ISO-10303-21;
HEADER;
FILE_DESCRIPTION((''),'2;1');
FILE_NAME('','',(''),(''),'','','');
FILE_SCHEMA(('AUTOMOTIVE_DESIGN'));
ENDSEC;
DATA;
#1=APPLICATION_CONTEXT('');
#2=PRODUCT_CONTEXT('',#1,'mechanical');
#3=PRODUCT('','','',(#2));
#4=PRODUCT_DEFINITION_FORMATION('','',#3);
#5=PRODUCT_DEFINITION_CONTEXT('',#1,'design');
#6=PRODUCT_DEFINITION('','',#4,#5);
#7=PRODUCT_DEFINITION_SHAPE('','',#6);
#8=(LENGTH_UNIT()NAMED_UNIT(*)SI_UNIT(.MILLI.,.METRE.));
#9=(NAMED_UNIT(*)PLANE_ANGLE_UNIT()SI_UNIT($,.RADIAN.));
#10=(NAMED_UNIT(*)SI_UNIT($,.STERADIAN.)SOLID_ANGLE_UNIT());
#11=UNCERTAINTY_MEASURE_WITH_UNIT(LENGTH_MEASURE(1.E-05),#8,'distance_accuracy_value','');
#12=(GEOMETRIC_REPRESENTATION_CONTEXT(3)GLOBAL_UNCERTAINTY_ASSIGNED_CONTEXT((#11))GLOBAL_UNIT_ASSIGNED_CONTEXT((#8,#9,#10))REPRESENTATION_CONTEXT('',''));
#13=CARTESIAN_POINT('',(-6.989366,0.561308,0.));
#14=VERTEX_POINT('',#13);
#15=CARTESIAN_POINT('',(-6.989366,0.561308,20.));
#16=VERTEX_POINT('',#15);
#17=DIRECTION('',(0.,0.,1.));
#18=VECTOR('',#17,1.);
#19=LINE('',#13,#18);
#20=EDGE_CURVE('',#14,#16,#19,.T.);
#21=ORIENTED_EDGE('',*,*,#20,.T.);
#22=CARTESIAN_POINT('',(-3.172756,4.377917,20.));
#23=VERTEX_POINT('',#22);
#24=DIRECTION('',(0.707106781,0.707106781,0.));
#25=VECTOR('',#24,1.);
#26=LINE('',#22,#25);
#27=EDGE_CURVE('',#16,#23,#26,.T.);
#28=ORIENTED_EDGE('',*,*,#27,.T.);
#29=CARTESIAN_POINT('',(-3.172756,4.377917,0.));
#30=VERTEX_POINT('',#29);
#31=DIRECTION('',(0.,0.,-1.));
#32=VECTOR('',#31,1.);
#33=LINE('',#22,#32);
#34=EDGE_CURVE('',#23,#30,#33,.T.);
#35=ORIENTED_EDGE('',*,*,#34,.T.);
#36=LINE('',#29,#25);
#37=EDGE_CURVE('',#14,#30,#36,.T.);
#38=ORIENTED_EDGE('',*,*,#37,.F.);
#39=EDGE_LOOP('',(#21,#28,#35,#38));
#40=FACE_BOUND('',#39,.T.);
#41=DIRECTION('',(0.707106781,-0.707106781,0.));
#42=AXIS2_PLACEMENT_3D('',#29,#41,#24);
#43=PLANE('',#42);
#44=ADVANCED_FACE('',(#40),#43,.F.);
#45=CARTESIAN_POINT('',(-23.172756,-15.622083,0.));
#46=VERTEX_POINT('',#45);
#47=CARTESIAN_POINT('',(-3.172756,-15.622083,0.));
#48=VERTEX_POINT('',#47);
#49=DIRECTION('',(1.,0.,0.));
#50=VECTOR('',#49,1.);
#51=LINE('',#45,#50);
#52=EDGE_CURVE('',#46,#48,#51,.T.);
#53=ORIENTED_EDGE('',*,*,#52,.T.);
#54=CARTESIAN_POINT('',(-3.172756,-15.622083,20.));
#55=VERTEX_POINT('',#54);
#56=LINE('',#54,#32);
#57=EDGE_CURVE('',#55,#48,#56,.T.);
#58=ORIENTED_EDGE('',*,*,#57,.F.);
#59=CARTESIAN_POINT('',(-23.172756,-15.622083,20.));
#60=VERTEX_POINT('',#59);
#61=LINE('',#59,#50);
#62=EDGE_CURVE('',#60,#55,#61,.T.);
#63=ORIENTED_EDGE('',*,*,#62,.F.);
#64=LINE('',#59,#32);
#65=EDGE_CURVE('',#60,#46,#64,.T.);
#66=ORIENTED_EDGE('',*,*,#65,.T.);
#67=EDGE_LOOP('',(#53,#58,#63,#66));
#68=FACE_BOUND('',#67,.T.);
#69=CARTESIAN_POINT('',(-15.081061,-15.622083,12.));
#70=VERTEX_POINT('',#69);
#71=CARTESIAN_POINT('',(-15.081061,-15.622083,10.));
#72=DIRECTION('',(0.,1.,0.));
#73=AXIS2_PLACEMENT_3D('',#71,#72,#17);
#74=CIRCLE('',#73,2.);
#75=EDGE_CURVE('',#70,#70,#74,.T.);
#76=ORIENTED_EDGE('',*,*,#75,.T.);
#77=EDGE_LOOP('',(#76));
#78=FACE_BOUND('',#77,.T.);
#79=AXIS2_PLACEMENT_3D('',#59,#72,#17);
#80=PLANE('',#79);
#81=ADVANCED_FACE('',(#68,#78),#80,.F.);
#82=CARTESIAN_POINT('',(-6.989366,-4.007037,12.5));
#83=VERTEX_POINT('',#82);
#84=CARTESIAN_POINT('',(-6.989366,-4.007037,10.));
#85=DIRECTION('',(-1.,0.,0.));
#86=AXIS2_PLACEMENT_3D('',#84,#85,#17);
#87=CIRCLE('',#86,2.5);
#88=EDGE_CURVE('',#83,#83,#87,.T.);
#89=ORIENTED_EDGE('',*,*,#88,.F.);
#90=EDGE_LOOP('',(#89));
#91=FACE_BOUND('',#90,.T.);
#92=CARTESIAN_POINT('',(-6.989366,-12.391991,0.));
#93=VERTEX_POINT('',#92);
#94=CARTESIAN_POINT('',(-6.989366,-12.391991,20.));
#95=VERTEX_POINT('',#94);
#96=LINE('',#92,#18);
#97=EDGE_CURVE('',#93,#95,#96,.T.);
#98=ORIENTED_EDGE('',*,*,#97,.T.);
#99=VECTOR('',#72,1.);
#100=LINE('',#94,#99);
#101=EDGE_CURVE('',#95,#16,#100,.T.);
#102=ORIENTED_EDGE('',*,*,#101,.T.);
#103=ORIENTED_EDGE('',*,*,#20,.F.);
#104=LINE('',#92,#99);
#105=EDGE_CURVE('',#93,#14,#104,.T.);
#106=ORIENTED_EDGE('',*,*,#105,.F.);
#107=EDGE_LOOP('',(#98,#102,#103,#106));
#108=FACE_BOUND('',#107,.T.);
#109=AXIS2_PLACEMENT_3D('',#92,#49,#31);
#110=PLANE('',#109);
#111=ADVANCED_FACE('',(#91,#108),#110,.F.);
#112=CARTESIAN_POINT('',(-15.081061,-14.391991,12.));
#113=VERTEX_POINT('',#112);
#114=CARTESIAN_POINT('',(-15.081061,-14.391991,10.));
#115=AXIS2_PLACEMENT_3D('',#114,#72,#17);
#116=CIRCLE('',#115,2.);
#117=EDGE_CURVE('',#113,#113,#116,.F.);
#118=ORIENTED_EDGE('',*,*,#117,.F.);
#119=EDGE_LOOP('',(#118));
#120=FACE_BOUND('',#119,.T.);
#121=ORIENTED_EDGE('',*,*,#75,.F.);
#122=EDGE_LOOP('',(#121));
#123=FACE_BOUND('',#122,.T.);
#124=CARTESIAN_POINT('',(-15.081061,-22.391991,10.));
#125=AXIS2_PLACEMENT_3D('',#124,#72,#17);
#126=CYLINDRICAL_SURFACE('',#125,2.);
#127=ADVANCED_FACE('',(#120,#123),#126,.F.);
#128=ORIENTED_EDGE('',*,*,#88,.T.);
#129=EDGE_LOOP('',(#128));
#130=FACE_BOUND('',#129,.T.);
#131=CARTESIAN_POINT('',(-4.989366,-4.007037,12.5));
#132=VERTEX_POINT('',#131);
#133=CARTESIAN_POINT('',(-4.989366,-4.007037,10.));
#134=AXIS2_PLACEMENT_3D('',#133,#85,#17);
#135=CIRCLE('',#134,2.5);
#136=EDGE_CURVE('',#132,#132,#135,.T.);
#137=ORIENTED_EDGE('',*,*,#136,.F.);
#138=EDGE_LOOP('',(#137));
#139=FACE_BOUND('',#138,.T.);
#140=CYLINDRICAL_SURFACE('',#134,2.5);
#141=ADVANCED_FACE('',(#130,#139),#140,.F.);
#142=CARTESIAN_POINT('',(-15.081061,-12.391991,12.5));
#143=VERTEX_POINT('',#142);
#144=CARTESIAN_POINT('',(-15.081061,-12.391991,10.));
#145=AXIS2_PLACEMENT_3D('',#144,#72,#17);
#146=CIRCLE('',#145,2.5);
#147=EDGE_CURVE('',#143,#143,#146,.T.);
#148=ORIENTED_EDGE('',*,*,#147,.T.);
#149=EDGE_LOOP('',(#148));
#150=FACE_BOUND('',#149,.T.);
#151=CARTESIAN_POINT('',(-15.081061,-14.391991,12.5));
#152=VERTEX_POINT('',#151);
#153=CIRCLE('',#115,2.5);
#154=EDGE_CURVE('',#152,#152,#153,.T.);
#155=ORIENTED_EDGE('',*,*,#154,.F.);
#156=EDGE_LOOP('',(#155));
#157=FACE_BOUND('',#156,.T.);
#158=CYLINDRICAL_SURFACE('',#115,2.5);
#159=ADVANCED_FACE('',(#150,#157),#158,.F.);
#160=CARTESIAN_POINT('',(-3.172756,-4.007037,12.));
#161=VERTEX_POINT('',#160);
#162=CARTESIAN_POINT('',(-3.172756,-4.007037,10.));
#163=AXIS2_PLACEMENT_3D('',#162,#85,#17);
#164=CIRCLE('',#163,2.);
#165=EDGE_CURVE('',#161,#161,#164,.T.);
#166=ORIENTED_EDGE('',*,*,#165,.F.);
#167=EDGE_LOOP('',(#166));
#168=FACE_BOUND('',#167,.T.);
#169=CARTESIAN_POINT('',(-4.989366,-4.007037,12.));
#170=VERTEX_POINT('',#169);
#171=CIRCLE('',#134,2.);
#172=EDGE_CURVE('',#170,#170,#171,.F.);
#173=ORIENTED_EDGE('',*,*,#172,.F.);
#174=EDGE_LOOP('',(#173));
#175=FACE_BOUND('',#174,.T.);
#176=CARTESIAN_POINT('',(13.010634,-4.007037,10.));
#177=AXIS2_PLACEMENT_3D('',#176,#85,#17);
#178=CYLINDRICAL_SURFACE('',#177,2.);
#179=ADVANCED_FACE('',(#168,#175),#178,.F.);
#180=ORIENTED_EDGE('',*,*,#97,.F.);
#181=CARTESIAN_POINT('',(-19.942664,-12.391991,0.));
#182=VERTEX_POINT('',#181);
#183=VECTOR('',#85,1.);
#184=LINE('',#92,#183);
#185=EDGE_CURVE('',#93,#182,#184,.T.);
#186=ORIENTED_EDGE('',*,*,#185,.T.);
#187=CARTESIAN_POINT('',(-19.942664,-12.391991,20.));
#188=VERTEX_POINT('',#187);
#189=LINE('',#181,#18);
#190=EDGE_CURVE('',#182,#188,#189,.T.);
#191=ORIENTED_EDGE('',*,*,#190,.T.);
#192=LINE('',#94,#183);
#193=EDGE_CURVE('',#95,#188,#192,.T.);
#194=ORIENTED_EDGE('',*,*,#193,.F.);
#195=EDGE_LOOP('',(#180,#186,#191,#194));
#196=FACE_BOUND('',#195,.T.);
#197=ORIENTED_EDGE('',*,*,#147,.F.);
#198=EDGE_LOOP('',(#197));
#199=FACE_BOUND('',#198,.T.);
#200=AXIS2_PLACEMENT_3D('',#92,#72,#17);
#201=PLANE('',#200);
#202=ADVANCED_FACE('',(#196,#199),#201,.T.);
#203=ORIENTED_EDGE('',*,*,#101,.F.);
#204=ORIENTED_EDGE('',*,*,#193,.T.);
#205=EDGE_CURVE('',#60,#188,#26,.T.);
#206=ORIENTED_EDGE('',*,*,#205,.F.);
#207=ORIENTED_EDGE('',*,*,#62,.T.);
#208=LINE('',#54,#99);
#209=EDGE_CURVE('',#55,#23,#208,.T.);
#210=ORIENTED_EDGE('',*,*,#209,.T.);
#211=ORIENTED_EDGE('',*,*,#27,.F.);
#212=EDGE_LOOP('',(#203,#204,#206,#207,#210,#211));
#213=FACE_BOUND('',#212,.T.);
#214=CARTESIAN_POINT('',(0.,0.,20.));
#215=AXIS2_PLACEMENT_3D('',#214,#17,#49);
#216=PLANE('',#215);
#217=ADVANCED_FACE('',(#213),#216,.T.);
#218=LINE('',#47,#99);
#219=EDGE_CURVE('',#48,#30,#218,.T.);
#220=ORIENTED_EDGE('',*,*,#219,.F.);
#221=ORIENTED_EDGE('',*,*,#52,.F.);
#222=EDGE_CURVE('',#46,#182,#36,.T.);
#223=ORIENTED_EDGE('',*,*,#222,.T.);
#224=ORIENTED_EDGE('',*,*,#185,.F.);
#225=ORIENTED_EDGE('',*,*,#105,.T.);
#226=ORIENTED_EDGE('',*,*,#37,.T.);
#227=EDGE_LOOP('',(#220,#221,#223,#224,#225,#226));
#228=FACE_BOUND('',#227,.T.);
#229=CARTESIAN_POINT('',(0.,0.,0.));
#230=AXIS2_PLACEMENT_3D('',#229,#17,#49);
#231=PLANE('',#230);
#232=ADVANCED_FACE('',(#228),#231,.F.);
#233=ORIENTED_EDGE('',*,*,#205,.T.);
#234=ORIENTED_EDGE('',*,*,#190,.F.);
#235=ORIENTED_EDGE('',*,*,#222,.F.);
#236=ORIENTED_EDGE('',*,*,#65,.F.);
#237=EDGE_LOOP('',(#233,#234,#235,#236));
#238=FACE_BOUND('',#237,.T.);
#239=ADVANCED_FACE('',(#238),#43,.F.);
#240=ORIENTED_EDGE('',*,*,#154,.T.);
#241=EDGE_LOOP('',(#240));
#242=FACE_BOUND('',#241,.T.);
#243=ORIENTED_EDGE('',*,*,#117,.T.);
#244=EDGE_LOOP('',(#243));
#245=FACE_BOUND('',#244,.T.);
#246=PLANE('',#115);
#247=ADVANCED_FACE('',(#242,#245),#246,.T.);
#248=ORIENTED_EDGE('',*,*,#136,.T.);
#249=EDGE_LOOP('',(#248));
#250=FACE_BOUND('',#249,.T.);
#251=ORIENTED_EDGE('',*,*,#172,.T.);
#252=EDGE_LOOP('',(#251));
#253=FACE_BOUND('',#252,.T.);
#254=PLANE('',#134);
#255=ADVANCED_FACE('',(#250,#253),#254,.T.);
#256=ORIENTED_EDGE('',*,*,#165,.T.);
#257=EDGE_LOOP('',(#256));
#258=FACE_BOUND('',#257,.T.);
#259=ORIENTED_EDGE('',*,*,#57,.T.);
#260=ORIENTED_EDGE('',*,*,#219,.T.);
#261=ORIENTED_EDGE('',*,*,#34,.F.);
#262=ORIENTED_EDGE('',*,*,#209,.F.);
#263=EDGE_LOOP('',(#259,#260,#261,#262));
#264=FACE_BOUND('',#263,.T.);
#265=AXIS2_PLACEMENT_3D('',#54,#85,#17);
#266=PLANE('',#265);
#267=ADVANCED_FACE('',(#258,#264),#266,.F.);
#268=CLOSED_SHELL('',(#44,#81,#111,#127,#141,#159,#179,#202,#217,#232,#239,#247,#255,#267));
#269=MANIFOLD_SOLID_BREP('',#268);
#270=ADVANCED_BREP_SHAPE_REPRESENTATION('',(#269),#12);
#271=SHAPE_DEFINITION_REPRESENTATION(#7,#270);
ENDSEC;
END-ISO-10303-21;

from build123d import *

# Parameters (mm, degrees)
IZIM1_W                     = 20
IZIM1_H                     = 20
Y_KSEKLIK_EKSTR_ZYON1_DEPTH = 20
KES_EKSTR_ZYON1_DEPTH       = 20
IZIM3_W                     = 17.224679165
IZIM3_H                     = 17.248412117
KES_EKSTR_ZYON2_DEPTH       = 20
IZIM4_R                     = 2
KES_EKSTR_ZYON3_DEPTH       = 20
IZIM7_R                     = 2.5
KES_EKSTR_ZYON7_DEPTH       = 2
IZIM8_R                     = 2
KES_EKSTR_ZYON8_DEPTH       = 10
IZIM9_R                     = 2.5
KES_EKSTR_ZYON9_DEPTH       = 2


with BuildPart() as part:
    # Çizim1 → Yükseklik-Ekstrüzyon1 (new body)
    with BuildSketch(Plane.XY):
        with Locations((-13.172756411, -5.622082974)):
            Rectangle(IZIM1_W, IZIM1_H)
    extrude(amount=Y_KSEKLIK_EKSTR_ZYON1_DEPTH)

    # Çizim2 → Kes-Ekstrüzyon1 (cut)
    with BuildSketch(Plane.XY.offset(20)):
        Polygon((-3.172756411, 4.377917026), (-23.172756411, -15.622082974), (-23.172756411, 4.377917026), align=None)
    extrude(amount=-KES_EKSTR_ZYON1_DEPTH, mode=Mode.SUBTRACT)

    # Çizim3 → Kes-Ekstrüzyon2 (cut)
    with BuildSketch(Plane.XY.offset(20)):
        with Locations((-15.601705124, -3.767784851)):
            Rectangle(IZIM3_W, IZIM3_H)
    extrude(amount=-KES_EKSTR_ZYON2_DEPTH, mode=Mode.SUBTRACT)

    # Çizim4 → Kes-Ekstrüzyon3 (cut)
    with BuildSketch(Plane.ZY.offset(6.989365541)):
        with Locations((10, -4.007036941)):
            Circle(IZIM4_R)
    extrude(amount=-KES_EKSTR_ZYON3_DEPTH, mode=Mode.SUBTRACT)

    # Çizim7 → Kes-Ekstrüzyon7 (cut)
    with BuildSketch(Plane.ZY.offset(6.989365541)):
        with Locations((10, -4.007036941)):
            Circle(IZIM7_R)
    extrude(amount=-KES_EKSTR_ZYON7_DEPTH, mode=Mode.SUBTRACT)

    # Çizim8 → Kes-Ekstrüzyon8 (cut)
    with BuildSketch(Plane(origin=(0, -12.391990909, 0), x_dir=(1, 0, 0), z_dir=(0, 1, 0))):
        with Locations((-15.081060976, -10)):
            Circle(IZIM8_R)
    extrude(amount=-KES_EKSTR_ZYON8_DEPTH, mode=Mode.SUBTRACT)

    # Çizim9 → Kes-Ekstrüzyon9 (cut)
    with BuildSketch(Plane(origin=(0, -12.391990909, 0), x_dir=(1, 0, 0), z_dir=(0, 1, 0))):
        with Locations((-15.081060976, -10)):
            Circle(IZIM9_R)
    extrude(amount=-KES_EKSTR_ZYON9_DEPTH, mode=Mode.SUBTRACT)


solid = part.part
